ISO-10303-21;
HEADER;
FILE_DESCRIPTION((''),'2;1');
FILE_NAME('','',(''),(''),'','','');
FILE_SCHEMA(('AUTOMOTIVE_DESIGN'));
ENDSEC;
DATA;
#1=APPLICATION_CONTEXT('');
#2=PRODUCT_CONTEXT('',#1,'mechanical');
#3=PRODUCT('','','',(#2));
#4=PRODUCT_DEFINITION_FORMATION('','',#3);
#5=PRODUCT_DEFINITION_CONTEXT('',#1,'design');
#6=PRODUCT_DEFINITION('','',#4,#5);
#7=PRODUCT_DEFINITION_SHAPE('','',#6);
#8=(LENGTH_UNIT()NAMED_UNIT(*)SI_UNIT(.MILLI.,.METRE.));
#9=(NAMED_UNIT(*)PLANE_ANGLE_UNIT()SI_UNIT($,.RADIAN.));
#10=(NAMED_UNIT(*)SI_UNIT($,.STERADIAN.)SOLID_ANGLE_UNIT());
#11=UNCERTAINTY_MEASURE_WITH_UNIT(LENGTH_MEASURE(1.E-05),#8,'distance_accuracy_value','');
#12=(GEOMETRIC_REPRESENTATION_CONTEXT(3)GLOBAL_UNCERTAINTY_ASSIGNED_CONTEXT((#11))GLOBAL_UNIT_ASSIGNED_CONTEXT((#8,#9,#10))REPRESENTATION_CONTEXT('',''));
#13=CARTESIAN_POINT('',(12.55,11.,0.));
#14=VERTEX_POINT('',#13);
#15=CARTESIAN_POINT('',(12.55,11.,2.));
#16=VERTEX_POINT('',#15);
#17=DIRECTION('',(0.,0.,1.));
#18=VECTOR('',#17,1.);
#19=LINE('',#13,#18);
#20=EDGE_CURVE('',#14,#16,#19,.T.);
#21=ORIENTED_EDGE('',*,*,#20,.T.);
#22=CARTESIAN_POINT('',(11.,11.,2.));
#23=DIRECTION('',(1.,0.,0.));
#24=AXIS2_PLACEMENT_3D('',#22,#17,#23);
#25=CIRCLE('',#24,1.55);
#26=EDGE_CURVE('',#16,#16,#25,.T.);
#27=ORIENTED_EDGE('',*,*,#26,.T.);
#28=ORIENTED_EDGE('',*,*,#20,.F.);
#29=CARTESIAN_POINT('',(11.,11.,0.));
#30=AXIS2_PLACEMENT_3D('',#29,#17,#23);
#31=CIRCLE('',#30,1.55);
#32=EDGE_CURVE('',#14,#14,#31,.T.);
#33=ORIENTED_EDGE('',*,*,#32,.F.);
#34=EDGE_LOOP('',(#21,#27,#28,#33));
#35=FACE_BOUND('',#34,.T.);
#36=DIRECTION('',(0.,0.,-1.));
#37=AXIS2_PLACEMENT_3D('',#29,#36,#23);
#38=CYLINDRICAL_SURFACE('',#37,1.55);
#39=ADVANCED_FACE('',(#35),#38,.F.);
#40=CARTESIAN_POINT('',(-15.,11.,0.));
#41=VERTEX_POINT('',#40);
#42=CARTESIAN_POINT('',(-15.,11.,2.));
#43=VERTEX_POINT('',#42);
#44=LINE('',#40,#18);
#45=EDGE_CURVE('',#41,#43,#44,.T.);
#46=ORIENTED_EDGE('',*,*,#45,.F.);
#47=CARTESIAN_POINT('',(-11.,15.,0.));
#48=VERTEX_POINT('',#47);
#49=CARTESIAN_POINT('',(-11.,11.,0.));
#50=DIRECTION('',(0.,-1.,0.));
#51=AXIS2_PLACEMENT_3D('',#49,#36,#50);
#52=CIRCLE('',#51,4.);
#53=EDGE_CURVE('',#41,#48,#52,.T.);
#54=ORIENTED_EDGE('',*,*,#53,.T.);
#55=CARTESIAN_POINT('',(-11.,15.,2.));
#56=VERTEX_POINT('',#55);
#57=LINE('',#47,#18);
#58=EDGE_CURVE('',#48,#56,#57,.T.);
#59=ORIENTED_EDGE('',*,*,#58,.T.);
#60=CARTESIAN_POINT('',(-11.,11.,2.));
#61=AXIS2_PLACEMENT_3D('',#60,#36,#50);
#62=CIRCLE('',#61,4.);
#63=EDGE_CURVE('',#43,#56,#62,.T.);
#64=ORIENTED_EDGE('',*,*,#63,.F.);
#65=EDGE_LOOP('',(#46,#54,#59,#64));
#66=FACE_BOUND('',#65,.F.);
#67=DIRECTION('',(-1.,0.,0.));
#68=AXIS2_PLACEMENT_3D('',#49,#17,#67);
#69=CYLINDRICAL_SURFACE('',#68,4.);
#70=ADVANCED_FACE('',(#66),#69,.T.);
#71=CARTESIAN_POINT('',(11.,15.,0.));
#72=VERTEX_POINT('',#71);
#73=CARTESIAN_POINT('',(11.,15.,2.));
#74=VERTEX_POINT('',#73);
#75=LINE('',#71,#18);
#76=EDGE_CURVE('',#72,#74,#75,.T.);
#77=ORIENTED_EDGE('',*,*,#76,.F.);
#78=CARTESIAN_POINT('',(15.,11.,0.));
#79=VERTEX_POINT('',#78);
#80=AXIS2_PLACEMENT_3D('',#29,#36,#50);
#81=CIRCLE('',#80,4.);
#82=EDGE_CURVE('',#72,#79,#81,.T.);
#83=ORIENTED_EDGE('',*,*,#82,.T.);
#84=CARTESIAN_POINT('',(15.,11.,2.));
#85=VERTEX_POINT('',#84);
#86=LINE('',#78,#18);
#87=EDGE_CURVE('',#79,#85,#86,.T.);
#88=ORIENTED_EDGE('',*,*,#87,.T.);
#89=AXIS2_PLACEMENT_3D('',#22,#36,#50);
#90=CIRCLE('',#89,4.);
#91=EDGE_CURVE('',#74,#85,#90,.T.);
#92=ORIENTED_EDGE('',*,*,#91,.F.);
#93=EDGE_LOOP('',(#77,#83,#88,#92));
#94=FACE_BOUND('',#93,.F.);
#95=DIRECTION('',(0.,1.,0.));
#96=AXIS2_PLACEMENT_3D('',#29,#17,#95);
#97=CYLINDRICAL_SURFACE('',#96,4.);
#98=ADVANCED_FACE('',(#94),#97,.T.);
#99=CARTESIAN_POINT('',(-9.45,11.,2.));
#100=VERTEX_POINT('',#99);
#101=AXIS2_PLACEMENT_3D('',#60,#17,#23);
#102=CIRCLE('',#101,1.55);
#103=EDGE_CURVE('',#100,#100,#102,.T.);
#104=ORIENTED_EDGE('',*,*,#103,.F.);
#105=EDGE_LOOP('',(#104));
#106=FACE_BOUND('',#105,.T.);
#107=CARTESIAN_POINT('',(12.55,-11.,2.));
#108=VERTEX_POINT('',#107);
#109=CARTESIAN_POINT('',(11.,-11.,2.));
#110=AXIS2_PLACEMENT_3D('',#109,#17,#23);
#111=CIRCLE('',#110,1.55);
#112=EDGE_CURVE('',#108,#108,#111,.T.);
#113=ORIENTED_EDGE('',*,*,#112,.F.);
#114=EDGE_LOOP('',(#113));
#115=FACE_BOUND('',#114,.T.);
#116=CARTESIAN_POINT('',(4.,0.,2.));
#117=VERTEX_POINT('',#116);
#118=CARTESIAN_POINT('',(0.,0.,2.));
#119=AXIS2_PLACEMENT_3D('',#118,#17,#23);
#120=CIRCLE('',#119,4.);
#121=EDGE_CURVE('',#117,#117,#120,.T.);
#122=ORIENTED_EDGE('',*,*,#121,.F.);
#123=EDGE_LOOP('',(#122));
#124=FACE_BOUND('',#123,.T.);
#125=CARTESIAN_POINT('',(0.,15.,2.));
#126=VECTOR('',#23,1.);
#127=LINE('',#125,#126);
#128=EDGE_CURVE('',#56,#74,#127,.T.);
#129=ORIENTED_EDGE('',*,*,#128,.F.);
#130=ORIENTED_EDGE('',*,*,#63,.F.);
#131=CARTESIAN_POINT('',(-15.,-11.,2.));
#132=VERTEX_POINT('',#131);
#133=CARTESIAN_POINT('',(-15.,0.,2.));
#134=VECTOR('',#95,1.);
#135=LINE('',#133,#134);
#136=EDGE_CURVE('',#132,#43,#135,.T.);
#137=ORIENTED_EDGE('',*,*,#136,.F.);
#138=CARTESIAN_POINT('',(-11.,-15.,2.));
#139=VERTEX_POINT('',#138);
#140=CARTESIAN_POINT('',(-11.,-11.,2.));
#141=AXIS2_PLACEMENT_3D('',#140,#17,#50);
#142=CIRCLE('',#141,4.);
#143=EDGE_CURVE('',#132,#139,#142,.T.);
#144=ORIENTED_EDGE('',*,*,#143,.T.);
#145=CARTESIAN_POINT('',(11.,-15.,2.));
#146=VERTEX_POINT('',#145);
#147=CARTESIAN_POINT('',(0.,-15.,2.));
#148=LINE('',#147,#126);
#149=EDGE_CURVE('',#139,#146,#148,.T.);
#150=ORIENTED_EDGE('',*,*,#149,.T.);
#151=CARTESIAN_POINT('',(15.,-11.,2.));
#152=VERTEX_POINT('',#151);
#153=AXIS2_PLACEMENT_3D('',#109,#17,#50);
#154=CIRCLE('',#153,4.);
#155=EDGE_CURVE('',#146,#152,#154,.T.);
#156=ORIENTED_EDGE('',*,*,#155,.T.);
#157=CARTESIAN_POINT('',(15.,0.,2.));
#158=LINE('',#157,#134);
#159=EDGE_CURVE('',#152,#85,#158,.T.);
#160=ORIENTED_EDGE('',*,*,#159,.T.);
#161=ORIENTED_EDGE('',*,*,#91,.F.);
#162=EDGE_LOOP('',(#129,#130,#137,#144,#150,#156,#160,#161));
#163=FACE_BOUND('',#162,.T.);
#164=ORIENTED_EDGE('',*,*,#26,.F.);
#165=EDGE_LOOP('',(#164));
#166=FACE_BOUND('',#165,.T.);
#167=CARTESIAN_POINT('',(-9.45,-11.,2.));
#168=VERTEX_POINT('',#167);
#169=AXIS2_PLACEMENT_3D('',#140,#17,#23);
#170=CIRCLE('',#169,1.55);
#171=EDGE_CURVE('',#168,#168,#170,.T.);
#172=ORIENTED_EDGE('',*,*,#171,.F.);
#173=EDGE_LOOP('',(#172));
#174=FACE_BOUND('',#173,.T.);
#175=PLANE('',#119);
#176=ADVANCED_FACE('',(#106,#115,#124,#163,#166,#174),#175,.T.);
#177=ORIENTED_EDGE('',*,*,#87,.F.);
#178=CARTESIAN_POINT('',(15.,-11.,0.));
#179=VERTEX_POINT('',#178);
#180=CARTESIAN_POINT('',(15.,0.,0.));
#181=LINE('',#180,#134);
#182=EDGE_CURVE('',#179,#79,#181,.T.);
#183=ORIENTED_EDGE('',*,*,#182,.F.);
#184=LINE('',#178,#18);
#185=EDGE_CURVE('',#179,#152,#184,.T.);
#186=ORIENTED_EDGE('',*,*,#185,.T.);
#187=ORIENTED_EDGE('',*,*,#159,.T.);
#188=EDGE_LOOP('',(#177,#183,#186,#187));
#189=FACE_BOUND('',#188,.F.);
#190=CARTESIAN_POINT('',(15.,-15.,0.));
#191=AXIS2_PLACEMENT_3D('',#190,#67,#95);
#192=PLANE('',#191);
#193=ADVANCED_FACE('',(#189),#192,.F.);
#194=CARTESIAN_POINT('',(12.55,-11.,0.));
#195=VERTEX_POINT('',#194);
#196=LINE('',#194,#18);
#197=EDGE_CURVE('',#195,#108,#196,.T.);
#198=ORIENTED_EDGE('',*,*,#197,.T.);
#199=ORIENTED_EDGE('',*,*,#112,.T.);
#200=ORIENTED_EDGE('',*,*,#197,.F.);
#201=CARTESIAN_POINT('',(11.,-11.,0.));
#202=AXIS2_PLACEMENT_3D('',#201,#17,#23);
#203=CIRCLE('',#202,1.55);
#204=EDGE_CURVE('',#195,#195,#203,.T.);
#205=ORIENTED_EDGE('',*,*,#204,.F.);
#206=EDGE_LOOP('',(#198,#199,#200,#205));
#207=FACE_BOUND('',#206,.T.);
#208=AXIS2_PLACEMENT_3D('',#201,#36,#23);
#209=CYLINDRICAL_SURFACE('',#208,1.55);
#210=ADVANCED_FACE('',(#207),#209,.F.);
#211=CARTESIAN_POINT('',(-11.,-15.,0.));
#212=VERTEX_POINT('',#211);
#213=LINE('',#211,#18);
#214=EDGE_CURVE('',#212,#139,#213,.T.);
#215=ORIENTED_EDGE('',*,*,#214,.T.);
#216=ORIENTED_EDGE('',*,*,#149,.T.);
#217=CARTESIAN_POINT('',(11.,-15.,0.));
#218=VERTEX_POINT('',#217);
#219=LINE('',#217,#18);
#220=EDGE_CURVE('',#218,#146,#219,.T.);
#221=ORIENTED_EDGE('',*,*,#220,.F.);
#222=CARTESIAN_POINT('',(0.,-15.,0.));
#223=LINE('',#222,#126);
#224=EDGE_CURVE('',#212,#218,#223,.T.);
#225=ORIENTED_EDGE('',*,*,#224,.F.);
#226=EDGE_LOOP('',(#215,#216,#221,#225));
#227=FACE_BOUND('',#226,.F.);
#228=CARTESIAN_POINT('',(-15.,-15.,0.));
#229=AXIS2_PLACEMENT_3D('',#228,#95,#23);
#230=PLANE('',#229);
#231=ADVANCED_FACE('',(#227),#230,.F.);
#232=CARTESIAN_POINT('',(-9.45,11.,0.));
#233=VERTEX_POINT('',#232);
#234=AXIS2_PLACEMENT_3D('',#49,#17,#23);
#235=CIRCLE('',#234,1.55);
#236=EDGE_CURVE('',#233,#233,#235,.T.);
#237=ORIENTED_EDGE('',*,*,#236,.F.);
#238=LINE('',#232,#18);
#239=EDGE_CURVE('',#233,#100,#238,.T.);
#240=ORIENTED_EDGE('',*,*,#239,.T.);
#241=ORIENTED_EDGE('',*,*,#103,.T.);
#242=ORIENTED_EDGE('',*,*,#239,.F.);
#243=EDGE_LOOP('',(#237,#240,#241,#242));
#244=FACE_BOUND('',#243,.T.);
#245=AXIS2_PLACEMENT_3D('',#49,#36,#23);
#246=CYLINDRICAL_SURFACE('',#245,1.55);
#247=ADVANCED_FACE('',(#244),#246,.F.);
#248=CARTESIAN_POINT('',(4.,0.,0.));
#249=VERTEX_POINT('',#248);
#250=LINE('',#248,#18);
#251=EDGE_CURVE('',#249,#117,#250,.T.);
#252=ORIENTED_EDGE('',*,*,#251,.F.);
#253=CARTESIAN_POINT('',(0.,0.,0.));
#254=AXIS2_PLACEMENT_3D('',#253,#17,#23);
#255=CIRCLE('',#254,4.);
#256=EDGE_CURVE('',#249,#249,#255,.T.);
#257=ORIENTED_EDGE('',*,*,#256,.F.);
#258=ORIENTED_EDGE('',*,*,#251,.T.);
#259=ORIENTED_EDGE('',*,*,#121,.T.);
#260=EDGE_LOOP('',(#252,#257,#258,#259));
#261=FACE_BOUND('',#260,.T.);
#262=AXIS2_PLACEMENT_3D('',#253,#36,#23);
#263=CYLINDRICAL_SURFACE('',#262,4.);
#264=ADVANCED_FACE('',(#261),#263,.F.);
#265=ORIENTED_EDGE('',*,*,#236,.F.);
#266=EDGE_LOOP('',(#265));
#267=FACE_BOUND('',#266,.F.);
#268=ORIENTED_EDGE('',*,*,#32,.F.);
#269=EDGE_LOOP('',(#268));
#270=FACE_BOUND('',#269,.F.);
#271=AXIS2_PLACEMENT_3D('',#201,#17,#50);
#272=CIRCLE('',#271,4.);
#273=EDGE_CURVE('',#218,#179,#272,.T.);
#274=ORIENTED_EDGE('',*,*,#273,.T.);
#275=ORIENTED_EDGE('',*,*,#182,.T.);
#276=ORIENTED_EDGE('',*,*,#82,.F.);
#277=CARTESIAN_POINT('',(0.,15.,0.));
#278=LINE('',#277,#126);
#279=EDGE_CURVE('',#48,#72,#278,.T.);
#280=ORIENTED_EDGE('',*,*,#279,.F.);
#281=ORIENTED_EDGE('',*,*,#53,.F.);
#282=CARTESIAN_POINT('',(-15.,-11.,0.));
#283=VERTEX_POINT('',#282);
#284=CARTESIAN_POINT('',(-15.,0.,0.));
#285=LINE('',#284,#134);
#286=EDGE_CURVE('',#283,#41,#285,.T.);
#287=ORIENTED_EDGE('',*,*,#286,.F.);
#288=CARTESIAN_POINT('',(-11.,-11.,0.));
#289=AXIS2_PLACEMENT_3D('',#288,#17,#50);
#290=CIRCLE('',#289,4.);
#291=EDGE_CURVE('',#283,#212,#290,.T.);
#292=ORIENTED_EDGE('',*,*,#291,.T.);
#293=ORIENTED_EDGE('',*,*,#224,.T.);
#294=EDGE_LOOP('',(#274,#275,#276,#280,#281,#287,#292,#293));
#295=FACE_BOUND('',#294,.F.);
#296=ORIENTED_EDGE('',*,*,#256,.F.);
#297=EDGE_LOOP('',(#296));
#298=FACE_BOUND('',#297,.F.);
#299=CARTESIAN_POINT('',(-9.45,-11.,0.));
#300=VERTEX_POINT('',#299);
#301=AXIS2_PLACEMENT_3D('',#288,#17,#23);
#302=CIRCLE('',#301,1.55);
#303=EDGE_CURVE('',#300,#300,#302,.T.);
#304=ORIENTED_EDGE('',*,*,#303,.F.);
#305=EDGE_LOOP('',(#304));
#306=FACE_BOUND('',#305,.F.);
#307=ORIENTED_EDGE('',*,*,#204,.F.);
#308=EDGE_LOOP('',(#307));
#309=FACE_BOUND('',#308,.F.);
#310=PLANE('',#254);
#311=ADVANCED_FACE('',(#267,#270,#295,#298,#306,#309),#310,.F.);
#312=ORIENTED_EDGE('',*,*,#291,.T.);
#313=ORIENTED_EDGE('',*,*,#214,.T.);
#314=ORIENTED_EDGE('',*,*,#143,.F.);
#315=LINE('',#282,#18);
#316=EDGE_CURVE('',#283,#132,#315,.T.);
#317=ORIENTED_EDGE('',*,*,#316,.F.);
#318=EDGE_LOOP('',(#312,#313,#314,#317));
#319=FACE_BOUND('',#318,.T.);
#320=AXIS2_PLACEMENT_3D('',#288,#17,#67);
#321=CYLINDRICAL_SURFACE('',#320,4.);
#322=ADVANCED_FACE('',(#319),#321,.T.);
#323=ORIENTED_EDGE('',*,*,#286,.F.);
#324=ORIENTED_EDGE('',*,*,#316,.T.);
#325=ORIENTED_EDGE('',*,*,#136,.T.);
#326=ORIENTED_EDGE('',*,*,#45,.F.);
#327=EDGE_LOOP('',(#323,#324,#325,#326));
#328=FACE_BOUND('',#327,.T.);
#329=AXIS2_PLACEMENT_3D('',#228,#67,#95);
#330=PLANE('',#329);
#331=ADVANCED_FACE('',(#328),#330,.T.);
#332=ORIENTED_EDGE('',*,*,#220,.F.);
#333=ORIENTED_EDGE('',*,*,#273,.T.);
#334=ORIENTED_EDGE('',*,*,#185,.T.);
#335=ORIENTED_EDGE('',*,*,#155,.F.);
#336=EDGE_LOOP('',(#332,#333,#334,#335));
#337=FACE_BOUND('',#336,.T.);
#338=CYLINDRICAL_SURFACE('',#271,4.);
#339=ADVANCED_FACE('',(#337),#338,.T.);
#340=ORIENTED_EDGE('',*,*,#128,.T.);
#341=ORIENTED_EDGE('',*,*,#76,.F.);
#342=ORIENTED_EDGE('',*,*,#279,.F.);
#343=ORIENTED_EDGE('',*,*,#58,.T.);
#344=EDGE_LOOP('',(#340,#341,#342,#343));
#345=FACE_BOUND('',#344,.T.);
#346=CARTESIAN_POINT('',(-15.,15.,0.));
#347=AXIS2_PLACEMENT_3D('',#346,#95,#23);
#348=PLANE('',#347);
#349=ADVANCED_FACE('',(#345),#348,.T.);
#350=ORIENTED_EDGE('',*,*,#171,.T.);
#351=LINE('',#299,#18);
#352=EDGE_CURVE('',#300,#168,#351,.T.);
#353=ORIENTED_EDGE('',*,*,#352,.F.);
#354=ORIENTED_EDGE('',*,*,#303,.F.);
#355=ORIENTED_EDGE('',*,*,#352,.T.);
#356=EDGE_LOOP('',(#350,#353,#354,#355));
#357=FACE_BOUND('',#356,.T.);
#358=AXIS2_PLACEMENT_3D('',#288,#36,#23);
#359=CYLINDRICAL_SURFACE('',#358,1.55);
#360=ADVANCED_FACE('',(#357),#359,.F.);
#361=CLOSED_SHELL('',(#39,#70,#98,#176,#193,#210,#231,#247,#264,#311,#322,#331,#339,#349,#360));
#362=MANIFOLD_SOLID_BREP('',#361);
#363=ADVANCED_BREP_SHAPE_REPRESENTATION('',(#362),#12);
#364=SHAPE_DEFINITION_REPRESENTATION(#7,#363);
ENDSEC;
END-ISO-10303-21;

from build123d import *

# Parameters (mm, degrees)
SKETCH_W      = 30
SKETCH_H      = 30
SKETCH_R      = 4
SKETCH_R_2    = 1.55
EXTRUDE_DEPTH = 2
FILLET_R      = 4


with BuildPart() as part:
    # Sketch → Extrude (new body)
    with BuildSketch(Plane.XY):
        Rectangle(SKETCH_W, SKETCH_H)
        Circle(SKETCH_R, mode=Mode.SUBTRACT)
        with Locations((-11, 11)):
            Circle(SKETCH_R_2, mode=Mode.SUBTRACT)
        with Locations((-11, -11)):
            Circle(SKETCH_R_2, mode=Mode.SUBTRACT)
        with Locations((11, -11)):
            Circle(SKETCH_R_2, mode=Mode.SUBTRACT)
        with Locations((11, 11)):
            Circle(SKETCH_R_2, mode=Mode.SUBTRACT)
    extrude(amount=EXTRUDE_DEPTH)

    # Fillet
    fillet_edges = [part.edges().sort_by_distance(p)[0] for p in [
        (-15, -15, 1),
        (15, -15, 1),
        (15, 15, 1),
        (-15, 15, 1),
    ]]
    fillet(fillet_edges, radius=FILLET_R)


solid = part.part
